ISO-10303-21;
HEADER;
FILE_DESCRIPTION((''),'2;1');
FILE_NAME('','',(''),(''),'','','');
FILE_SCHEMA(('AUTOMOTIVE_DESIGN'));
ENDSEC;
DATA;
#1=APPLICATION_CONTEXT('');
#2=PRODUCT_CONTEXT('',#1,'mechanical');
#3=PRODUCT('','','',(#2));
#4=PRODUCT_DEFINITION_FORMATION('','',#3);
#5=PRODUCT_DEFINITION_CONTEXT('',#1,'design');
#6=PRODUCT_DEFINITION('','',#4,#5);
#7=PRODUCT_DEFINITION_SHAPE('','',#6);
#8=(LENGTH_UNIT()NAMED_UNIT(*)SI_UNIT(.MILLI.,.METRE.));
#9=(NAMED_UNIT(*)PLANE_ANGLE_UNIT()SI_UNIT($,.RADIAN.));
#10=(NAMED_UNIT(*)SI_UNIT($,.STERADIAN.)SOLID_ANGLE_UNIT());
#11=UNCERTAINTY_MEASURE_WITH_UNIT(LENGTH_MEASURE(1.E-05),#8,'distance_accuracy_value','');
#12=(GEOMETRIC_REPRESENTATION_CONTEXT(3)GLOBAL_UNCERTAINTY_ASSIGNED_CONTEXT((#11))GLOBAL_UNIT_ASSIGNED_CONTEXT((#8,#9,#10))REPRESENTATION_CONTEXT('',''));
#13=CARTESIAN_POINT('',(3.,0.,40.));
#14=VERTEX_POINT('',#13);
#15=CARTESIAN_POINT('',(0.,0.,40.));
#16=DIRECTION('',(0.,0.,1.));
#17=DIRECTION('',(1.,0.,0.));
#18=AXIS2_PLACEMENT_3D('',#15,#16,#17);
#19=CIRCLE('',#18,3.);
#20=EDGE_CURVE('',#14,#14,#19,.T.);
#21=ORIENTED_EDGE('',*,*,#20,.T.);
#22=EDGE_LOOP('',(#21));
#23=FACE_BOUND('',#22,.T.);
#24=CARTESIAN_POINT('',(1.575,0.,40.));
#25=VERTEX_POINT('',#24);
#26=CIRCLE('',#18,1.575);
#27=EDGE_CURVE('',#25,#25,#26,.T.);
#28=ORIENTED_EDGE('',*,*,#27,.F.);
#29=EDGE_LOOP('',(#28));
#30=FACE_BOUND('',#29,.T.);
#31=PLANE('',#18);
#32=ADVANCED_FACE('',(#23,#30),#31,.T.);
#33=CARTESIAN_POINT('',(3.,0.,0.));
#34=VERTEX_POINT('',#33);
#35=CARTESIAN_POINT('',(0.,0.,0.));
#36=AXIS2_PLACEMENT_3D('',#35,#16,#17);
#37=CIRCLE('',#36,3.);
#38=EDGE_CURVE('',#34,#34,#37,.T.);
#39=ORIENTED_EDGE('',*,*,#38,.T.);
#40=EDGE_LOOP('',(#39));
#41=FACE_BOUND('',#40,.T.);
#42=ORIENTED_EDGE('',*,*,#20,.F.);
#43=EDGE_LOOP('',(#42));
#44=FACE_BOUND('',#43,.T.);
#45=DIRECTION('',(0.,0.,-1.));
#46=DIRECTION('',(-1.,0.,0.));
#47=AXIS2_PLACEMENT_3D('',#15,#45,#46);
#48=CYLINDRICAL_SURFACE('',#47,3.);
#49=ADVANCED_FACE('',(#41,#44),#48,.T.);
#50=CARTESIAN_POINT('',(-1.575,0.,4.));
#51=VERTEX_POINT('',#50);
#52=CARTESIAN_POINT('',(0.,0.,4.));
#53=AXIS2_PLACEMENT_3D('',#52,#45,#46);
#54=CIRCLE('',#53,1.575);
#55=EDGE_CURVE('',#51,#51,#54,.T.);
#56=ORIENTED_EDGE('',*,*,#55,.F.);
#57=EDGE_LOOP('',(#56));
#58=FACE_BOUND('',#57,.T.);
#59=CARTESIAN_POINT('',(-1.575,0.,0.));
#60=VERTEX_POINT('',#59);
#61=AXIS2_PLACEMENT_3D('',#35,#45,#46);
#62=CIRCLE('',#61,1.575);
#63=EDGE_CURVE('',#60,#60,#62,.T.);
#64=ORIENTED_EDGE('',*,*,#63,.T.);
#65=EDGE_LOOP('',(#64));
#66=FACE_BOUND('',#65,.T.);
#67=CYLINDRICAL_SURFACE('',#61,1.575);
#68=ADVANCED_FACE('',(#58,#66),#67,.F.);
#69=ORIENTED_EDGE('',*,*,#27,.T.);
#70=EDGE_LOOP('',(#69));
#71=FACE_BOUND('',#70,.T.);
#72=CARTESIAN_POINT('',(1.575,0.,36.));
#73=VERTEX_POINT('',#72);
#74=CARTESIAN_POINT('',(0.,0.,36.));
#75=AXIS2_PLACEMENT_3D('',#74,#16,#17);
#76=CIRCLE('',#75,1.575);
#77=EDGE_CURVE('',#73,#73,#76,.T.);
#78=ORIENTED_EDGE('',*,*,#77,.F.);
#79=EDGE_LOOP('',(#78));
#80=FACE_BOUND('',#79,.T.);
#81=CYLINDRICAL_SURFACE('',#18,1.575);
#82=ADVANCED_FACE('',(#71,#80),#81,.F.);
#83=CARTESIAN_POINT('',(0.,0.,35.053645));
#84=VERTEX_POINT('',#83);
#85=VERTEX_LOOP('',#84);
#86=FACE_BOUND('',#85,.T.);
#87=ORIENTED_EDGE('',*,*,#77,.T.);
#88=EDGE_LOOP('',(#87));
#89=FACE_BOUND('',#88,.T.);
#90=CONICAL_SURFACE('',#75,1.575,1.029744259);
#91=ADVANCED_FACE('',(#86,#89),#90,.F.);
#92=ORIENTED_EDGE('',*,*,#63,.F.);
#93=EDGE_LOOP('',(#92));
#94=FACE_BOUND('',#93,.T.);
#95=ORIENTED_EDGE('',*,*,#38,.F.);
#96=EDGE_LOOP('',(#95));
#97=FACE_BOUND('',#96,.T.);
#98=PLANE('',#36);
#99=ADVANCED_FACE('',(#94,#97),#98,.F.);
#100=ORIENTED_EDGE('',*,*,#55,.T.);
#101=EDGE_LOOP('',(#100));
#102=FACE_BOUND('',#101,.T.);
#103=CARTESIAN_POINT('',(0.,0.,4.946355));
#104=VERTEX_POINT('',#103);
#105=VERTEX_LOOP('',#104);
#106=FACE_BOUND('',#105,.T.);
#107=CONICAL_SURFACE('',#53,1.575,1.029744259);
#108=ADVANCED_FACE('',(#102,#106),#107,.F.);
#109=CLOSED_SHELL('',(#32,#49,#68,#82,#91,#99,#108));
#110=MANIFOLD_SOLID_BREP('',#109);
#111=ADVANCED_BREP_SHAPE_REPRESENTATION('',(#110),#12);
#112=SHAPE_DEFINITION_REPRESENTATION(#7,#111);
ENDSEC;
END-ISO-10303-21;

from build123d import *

# Parameters (mm, degrees)
ESBO_O1_R                                  = 3
RESSALTO_EXTRUS_O1_DEPTH                   = 40
BROCA_DE_ROSQUEAR_PARA_HELICOIDE_M31_D     = 3.15
BROCA_DE_ROSQUEAR_PARA_HELICOIDE_M31_DEPTH = 4
BROCA_DE_ROSQUEAR_PARA_HELICOIDE_M31_TIP   = 0.946355475
BROCA_DE_ROSQUEAR_PARA_HELICOIDE_M32_D     = 3.15
BROCA_DE_ROSQUEAR_PARA_HELICOIDE_M32_DEPTH = 4
BROCA_DE_ROSQUEAR_PARA_HELICOIDE_M32_TIP   = 0.946355475


with BuildPart() as part:
    # Esboço1 → Ressalto-extrusão1 (new body)
    with BuildSketch(Plane.XY):
        Circle(ESBO_O1_R)
    extrude(amount=RESSALTO_EXTRUS_O1_DEPTH)

    # Broca de rosquear para helicoide M31
    with Locations(Plane(origin=(0, 0, 0), x_dir=(-1, 0, 0), z_dir=(0, 0, -1))):
        with Locations((0, 0)):
            Hole(BROCA_DE_ROSQUEAR_PARA_HELICOIDE_M31_D / 2, depth=BROCA_DE_ROSQUEAR_PARA_HELICOIDE_M31_DEPTH)
            with Locations((0, 0, -(BROCA_DE_ROSQUEAR_PARA_HELICOIDE_M31_DEPTH + BROCA_DE_ROSQUEAR_PARA_HELICOIDE_M31_TIP / 2))):  # 118° drill point
                Cone(0, BROCA_DE_ROSQUEAR_PARA_HELICOIDE_M31_D / 2, BROCA_DE_ROSQUEAR_PARA_HELICOIDE_M31_TIP, mode=Mode.SUBTRACT)

    # Broca de rosquear para helicoide M32
    with Locations(Plane.XY.offset(40)):
        with Locations((0, 0)):
            Hole(BROCA_DE_ROSQUEAR_PARA_HELICOIDE_M32_D / 2, depth=BROCA_DE_ROSQUEAR_PARA_HELICOIDE_M32_DEPTH)
            with Locations((0, 0, -(BROCA_DE_ROSQUEAR_PARA_HELICOIDE_M32_DEPTH + BROCA_DE_ROSQUEAR_PARA_HELICOIDE_M32_TIP / 2))):  # 118° drill point
                Cone(0, BROCA_DE_ROSQUEAR_PARA_HELICOIDE_M32_D / 2, BROCA_DE_ROSQUEAR_PARA_HELICOIDE_M32_TIP, mode=Mode.SUBTRACT)


solid = part.part
